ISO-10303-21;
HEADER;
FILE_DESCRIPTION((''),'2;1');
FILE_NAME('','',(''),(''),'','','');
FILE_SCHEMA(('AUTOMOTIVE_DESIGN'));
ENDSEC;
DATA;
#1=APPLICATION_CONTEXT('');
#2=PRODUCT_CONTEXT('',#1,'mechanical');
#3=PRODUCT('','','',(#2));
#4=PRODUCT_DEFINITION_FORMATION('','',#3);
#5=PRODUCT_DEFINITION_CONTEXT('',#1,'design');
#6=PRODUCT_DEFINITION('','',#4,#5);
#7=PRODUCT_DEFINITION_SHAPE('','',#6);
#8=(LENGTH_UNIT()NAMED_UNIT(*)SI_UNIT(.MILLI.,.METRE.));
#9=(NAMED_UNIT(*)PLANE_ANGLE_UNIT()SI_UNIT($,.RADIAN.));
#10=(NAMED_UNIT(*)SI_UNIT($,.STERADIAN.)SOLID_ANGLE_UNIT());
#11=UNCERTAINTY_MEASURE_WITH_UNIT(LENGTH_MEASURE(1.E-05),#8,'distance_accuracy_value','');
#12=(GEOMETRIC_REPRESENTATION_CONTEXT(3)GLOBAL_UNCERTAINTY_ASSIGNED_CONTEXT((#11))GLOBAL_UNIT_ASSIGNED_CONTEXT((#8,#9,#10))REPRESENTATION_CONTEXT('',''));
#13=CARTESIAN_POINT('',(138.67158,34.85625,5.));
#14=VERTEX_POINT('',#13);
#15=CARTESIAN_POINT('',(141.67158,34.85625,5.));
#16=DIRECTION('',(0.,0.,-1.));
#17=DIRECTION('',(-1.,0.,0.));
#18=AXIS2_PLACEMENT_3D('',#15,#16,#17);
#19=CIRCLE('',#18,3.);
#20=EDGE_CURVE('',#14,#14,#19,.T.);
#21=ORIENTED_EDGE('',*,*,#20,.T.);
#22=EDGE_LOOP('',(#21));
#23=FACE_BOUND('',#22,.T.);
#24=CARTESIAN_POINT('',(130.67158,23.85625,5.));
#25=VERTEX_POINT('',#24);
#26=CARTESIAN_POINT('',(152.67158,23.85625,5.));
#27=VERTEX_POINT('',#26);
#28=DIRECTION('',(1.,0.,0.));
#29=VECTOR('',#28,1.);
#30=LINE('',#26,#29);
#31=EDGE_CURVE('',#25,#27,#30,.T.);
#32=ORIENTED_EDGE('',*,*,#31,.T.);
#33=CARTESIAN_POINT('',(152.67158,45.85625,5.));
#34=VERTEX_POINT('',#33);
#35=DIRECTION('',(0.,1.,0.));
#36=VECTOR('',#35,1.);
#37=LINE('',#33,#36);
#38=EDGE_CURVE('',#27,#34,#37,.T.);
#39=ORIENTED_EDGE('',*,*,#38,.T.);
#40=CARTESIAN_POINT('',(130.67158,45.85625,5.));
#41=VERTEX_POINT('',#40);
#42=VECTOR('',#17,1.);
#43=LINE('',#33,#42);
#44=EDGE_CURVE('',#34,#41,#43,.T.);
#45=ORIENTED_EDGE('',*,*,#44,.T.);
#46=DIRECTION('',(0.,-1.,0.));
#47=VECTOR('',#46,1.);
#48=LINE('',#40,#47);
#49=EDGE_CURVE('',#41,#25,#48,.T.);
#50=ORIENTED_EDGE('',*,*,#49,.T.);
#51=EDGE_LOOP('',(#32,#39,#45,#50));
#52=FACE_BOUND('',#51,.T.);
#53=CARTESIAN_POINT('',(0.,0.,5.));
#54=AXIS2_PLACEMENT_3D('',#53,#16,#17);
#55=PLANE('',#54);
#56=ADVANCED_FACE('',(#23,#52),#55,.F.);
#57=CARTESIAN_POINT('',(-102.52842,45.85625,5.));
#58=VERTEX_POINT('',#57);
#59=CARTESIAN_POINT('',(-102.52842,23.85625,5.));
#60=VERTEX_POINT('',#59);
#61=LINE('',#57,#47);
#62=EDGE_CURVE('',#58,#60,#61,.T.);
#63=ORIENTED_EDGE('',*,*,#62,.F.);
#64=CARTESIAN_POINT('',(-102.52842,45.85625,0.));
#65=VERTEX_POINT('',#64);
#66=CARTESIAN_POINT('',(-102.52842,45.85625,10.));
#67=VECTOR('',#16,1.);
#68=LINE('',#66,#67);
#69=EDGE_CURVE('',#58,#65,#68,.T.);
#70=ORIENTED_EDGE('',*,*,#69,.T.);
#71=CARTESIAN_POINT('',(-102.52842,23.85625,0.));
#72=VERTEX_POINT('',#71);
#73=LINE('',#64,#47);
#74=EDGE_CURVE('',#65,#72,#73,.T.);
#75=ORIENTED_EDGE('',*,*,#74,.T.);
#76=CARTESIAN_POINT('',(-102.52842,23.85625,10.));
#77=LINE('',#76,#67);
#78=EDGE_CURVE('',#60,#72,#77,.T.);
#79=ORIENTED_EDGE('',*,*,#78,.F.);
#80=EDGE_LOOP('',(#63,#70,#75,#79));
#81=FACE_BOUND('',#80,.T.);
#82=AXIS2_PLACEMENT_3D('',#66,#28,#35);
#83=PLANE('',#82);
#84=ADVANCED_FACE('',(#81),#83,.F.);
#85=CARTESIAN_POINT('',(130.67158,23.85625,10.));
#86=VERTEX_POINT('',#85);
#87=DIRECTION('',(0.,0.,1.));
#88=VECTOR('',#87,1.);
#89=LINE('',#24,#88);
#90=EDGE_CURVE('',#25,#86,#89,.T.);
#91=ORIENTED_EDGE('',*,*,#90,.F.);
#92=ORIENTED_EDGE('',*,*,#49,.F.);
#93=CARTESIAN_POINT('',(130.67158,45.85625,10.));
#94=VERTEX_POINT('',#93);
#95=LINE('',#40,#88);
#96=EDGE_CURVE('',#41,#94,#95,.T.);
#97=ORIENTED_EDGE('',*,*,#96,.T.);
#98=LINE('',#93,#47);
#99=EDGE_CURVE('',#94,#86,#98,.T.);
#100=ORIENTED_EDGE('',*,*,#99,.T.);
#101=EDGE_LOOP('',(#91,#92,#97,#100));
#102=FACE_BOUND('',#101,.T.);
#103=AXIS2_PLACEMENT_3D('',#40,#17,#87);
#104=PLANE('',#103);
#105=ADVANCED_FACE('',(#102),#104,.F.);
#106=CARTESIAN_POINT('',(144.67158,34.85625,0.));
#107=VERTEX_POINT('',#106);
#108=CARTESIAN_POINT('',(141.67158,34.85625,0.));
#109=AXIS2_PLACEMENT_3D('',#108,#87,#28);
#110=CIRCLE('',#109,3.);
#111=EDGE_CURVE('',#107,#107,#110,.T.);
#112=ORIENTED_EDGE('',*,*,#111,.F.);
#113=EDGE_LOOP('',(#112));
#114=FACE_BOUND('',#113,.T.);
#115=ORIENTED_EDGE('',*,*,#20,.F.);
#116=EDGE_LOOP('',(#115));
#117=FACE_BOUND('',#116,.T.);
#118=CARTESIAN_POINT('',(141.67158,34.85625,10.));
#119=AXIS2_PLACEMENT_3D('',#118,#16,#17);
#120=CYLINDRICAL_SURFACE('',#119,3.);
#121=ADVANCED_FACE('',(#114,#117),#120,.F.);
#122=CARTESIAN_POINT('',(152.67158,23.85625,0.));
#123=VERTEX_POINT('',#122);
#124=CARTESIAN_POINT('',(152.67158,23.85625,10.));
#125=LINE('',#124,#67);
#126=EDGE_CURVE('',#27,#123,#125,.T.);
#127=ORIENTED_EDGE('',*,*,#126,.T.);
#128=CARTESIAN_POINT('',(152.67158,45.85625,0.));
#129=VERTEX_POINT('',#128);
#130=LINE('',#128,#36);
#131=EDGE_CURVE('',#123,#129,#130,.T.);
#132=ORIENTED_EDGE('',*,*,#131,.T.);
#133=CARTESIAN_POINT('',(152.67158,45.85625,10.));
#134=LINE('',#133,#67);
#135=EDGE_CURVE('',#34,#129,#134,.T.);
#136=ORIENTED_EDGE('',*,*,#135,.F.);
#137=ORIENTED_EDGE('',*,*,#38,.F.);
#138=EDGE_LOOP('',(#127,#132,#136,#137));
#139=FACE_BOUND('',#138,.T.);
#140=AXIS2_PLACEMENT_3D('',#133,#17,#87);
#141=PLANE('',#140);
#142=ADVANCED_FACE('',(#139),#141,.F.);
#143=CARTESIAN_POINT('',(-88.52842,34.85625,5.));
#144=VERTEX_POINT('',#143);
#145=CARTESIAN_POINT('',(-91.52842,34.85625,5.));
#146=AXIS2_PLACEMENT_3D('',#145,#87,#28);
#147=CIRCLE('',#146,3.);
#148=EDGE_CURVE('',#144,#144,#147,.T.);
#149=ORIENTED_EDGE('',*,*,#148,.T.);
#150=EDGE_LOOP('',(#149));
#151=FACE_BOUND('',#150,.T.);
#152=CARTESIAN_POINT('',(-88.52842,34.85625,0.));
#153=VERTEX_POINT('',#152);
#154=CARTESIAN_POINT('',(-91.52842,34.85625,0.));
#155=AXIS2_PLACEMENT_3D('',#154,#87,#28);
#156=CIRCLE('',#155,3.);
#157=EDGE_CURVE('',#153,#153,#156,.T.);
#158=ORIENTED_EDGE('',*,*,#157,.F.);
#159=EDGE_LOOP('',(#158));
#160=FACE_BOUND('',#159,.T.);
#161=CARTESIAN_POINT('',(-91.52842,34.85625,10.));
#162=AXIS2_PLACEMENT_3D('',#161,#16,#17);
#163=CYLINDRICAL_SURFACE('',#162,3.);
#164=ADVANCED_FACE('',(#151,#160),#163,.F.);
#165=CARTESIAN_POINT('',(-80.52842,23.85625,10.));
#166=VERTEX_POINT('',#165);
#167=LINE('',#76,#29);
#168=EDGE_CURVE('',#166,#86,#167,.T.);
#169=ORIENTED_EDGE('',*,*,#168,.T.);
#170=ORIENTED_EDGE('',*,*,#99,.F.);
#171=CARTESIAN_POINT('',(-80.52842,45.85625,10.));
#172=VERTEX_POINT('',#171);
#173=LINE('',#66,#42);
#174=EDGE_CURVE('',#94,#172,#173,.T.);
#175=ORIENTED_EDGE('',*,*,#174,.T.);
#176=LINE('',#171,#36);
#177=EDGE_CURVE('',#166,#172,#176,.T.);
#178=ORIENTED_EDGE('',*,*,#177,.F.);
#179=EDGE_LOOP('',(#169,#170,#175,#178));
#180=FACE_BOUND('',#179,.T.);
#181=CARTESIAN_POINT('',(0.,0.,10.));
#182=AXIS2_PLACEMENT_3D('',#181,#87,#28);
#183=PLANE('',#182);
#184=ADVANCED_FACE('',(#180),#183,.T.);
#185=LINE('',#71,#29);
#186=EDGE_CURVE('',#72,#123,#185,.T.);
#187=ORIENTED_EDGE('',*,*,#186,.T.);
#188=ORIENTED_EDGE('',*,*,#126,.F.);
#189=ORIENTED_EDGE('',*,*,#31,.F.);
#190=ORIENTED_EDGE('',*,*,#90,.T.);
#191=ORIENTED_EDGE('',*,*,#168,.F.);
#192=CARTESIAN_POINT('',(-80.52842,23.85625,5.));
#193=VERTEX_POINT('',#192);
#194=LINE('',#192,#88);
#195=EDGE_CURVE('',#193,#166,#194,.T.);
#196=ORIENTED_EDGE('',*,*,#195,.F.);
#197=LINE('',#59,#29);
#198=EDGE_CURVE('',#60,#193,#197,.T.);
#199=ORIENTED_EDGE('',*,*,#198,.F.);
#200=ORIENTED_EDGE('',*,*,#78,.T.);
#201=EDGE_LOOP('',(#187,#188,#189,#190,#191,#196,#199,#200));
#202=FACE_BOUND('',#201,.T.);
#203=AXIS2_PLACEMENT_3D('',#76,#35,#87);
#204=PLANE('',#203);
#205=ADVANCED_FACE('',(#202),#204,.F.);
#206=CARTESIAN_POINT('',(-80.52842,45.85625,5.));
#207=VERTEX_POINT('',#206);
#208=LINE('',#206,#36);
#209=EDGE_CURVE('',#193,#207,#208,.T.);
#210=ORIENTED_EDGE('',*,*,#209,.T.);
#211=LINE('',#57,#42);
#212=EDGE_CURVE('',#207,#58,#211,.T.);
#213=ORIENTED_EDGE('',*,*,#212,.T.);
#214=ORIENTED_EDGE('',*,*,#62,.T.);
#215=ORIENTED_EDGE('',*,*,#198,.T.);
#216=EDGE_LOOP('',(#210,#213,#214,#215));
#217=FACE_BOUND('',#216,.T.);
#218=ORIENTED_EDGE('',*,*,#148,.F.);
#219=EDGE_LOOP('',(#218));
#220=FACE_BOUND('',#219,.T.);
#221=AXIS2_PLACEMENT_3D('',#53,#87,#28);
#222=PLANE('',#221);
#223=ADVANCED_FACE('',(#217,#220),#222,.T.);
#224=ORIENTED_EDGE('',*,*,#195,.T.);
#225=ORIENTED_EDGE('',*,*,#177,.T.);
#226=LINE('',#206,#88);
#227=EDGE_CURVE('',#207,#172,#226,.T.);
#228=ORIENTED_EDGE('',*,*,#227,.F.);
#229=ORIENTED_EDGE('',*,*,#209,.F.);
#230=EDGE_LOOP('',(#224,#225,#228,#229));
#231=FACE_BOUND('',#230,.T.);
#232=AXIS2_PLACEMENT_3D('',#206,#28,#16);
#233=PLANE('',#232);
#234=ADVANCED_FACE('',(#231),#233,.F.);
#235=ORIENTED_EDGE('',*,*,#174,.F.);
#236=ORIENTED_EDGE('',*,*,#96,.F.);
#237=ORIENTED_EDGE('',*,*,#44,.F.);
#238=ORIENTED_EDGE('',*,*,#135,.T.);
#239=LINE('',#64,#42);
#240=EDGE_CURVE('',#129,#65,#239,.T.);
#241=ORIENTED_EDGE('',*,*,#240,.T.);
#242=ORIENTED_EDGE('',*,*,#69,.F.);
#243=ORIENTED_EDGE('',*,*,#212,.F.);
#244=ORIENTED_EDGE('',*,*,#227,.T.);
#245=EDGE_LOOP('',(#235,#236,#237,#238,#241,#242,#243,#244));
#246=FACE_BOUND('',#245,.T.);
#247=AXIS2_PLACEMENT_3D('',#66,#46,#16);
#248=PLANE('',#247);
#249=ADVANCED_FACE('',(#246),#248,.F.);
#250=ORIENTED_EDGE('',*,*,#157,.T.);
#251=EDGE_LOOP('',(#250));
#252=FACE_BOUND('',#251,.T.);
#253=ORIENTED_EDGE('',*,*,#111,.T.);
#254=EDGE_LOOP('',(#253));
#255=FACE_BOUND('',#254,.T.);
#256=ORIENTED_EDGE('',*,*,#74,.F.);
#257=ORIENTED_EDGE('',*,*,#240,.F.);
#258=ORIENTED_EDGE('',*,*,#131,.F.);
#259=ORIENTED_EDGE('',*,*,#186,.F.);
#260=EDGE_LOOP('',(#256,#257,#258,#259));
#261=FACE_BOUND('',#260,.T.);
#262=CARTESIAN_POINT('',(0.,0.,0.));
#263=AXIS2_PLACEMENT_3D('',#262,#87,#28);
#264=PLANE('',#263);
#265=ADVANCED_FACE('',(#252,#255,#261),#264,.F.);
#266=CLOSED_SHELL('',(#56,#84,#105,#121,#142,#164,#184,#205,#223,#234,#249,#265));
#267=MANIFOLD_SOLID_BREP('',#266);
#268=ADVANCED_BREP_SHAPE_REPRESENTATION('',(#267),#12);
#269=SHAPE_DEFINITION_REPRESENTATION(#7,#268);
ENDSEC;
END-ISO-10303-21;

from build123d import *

# Parameters (mm, degrees)
ESQUISSE1_W             = 255.2
ESQUISSE1_H             = 22
ESQUISSE1_R             = 3
BOSS_EXTRU_1_DEPTH      = 10
ESQUISSE2_W             = 22
ESQUISSE2_H             = 22
ENL_V_MAT_EXTRU_1_DEPTH = 5


with BuildPart() as part:
    # Esquisse1 → Boss.-Extru.1 (new body)
    with BuildSketch(Plane.XY):
        with Locations((25.071580326, 34.85625)):
            Rectangle(ESQUISSE1_W, ESQUISSE1_H)
        with Locations((-91.528419674, 34.85625)):
            Circle(ESQUISSE1_R, mode=Mode.SUBTRACT)
        with Locations((141.671580326, 34.85625)):
            Circle(ESQUISSE1_R, mode=Mode.SUBTRACT)
    extrude(amount=BOSS_EXTRU_1_DEPTH)

    # Esquisse2 → Enlèv. mat.-Extru.1 (cut)
    with BuildSketch(Plane.XY.offset(10)):
        with Locations((-91.528419674, 34.85625)):
            Rectangle(ESQUISSE2_W, ESQUISSE2_H)
        with Locations((141.671580326, 34.85625)):
            Rectangle(ESQUISSE2_W, ESQUISSE2_H)
    extrude(amount=-ENL_V_MAT_EXTRU_1_DEPTH, mode=Mode.SUBTRACT)


solid = part.part
